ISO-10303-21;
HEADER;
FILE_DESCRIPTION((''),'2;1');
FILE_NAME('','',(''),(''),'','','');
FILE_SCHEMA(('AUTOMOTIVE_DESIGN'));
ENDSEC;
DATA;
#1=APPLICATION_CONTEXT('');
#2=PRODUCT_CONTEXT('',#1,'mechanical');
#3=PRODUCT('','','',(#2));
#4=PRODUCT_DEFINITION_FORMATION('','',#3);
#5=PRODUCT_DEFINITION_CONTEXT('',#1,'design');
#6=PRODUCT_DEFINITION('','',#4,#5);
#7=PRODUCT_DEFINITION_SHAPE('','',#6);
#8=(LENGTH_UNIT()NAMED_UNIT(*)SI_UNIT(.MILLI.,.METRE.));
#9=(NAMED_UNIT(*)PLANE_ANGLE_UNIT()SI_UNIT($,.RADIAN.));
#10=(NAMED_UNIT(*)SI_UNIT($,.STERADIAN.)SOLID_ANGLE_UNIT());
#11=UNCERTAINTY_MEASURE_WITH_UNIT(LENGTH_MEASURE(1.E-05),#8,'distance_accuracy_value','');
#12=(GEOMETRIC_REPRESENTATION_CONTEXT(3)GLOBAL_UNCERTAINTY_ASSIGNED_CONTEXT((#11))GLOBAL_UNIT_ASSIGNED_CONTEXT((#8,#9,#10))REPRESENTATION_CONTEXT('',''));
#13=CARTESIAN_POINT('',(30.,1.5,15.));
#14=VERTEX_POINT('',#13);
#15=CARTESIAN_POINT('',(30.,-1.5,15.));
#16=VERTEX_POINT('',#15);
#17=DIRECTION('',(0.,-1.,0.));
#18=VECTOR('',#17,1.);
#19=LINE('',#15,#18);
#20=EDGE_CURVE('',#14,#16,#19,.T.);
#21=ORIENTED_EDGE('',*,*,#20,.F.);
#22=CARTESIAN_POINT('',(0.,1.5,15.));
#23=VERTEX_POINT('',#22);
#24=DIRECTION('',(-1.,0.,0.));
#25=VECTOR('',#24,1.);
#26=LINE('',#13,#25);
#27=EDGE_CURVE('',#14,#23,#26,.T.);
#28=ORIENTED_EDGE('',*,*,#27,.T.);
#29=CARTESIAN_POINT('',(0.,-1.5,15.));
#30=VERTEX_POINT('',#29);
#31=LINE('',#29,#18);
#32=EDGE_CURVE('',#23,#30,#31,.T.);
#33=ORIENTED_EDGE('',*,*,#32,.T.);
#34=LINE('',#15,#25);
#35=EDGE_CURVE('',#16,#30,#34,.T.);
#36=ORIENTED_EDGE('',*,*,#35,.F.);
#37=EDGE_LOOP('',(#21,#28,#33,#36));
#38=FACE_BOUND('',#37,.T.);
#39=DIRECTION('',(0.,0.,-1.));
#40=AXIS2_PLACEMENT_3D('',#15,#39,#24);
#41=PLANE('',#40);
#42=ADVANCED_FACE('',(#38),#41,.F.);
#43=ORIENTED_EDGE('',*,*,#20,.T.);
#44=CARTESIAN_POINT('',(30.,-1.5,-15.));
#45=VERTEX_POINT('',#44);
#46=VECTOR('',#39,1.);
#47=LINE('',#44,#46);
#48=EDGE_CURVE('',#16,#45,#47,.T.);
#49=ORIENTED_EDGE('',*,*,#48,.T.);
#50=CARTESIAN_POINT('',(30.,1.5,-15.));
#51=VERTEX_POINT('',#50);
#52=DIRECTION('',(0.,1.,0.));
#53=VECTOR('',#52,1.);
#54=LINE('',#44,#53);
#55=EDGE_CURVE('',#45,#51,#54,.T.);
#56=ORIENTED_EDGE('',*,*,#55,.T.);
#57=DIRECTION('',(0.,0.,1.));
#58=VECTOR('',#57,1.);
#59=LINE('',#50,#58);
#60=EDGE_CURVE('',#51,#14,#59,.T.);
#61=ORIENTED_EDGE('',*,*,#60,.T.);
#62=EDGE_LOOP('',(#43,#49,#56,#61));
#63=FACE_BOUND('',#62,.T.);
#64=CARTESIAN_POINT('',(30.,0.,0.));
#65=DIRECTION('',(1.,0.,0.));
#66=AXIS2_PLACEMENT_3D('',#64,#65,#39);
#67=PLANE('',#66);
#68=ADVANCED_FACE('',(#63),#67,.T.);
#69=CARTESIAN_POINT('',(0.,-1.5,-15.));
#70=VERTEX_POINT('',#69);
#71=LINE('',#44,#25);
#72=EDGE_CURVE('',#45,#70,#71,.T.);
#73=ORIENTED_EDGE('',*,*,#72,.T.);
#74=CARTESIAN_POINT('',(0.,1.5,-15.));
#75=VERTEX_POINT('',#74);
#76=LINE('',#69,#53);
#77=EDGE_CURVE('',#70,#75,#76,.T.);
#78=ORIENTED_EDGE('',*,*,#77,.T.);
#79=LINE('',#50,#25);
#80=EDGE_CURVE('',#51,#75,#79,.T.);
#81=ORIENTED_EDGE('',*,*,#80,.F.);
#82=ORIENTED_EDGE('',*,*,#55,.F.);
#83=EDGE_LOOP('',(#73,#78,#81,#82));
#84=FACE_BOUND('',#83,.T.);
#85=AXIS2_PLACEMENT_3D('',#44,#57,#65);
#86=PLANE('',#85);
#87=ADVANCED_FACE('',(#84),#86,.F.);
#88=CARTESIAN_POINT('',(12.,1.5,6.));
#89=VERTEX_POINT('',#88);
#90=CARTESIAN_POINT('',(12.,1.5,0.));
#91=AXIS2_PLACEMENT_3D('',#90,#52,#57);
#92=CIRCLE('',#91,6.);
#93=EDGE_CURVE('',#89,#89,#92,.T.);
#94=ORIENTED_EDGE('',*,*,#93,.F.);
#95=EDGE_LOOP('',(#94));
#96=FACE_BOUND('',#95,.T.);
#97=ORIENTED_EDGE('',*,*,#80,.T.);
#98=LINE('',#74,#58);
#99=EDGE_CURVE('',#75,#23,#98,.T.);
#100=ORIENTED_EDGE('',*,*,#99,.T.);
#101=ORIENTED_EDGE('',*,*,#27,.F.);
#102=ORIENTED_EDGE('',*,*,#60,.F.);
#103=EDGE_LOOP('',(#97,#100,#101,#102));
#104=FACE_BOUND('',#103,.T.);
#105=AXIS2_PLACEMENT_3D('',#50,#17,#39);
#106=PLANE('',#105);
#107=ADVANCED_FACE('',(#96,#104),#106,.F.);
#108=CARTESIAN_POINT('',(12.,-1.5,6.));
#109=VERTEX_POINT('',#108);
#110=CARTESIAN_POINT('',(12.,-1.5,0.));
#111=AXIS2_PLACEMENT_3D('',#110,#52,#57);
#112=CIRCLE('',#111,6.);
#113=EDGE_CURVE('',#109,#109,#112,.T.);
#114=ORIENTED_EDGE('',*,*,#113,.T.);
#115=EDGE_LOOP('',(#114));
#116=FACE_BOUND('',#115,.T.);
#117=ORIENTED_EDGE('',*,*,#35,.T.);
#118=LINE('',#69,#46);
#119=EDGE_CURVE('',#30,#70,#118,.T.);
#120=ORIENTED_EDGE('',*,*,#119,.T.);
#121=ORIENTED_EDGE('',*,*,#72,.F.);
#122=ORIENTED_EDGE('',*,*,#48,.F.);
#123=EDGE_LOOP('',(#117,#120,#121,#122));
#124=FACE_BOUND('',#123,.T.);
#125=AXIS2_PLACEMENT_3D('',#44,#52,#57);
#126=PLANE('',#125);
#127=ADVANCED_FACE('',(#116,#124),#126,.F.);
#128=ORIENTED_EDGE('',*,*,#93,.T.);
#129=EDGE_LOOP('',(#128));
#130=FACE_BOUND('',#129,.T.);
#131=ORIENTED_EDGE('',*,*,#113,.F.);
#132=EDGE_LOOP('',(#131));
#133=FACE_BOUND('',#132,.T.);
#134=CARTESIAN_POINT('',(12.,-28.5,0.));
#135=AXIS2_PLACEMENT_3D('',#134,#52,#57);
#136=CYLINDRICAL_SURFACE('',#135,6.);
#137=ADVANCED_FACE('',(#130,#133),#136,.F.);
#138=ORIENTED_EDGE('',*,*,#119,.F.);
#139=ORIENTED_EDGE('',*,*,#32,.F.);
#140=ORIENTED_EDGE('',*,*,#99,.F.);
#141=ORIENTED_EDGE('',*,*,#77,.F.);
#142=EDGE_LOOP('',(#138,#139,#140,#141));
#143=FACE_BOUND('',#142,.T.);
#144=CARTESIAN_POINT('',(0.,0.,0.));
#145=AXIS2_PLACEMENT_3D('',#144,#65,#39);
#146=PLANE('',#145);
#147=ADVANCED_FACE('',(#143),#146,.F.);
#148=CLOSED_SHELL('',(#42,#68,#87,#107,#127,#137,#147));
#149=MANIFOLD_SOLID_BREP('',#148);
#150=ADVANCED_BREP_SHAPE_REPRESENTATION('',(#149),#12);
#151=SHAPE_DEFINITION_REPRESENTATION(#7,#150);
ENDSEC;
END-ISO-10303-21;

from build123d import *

# Parameters (mm, degrees)
SKETCH_1_W          = 30
SKETCH_1_H          = 3
EXTRUDE_1_DEPTH     = 30
SKETCH_2_R          = 6
CUT_EXTRUDE_1_DEPTH = 30


with BuildPart() as part:
    # Эскиз1 → Бобышка-Вытянуть1 (new body)
    with BuildSketch(Plane(origin=(0, 0, 0), x_dir=(0, 0, -1), z_dir=(1, 0, 0))):
        Rectangle(SKETCH_1_W, SKETCH_1_H)
    extrude(amount=EXTRUDE_1_DEPTH)

    # Эскиз2 → Вырез-Вытянуть1 (cut)
    with BuildSketch(Plane(origin=(0, 1.5, 0), x_dir=(1, 0, 0), z_dir=(0, 1, 0))):
        with Locations((12, 0)):
            Circle(SKETCH_2_R)
    extrude(amount=-CUT_EXTRUDE_1_DEPTH, mode=Mode.SUBTRACT)


solid = part.part
